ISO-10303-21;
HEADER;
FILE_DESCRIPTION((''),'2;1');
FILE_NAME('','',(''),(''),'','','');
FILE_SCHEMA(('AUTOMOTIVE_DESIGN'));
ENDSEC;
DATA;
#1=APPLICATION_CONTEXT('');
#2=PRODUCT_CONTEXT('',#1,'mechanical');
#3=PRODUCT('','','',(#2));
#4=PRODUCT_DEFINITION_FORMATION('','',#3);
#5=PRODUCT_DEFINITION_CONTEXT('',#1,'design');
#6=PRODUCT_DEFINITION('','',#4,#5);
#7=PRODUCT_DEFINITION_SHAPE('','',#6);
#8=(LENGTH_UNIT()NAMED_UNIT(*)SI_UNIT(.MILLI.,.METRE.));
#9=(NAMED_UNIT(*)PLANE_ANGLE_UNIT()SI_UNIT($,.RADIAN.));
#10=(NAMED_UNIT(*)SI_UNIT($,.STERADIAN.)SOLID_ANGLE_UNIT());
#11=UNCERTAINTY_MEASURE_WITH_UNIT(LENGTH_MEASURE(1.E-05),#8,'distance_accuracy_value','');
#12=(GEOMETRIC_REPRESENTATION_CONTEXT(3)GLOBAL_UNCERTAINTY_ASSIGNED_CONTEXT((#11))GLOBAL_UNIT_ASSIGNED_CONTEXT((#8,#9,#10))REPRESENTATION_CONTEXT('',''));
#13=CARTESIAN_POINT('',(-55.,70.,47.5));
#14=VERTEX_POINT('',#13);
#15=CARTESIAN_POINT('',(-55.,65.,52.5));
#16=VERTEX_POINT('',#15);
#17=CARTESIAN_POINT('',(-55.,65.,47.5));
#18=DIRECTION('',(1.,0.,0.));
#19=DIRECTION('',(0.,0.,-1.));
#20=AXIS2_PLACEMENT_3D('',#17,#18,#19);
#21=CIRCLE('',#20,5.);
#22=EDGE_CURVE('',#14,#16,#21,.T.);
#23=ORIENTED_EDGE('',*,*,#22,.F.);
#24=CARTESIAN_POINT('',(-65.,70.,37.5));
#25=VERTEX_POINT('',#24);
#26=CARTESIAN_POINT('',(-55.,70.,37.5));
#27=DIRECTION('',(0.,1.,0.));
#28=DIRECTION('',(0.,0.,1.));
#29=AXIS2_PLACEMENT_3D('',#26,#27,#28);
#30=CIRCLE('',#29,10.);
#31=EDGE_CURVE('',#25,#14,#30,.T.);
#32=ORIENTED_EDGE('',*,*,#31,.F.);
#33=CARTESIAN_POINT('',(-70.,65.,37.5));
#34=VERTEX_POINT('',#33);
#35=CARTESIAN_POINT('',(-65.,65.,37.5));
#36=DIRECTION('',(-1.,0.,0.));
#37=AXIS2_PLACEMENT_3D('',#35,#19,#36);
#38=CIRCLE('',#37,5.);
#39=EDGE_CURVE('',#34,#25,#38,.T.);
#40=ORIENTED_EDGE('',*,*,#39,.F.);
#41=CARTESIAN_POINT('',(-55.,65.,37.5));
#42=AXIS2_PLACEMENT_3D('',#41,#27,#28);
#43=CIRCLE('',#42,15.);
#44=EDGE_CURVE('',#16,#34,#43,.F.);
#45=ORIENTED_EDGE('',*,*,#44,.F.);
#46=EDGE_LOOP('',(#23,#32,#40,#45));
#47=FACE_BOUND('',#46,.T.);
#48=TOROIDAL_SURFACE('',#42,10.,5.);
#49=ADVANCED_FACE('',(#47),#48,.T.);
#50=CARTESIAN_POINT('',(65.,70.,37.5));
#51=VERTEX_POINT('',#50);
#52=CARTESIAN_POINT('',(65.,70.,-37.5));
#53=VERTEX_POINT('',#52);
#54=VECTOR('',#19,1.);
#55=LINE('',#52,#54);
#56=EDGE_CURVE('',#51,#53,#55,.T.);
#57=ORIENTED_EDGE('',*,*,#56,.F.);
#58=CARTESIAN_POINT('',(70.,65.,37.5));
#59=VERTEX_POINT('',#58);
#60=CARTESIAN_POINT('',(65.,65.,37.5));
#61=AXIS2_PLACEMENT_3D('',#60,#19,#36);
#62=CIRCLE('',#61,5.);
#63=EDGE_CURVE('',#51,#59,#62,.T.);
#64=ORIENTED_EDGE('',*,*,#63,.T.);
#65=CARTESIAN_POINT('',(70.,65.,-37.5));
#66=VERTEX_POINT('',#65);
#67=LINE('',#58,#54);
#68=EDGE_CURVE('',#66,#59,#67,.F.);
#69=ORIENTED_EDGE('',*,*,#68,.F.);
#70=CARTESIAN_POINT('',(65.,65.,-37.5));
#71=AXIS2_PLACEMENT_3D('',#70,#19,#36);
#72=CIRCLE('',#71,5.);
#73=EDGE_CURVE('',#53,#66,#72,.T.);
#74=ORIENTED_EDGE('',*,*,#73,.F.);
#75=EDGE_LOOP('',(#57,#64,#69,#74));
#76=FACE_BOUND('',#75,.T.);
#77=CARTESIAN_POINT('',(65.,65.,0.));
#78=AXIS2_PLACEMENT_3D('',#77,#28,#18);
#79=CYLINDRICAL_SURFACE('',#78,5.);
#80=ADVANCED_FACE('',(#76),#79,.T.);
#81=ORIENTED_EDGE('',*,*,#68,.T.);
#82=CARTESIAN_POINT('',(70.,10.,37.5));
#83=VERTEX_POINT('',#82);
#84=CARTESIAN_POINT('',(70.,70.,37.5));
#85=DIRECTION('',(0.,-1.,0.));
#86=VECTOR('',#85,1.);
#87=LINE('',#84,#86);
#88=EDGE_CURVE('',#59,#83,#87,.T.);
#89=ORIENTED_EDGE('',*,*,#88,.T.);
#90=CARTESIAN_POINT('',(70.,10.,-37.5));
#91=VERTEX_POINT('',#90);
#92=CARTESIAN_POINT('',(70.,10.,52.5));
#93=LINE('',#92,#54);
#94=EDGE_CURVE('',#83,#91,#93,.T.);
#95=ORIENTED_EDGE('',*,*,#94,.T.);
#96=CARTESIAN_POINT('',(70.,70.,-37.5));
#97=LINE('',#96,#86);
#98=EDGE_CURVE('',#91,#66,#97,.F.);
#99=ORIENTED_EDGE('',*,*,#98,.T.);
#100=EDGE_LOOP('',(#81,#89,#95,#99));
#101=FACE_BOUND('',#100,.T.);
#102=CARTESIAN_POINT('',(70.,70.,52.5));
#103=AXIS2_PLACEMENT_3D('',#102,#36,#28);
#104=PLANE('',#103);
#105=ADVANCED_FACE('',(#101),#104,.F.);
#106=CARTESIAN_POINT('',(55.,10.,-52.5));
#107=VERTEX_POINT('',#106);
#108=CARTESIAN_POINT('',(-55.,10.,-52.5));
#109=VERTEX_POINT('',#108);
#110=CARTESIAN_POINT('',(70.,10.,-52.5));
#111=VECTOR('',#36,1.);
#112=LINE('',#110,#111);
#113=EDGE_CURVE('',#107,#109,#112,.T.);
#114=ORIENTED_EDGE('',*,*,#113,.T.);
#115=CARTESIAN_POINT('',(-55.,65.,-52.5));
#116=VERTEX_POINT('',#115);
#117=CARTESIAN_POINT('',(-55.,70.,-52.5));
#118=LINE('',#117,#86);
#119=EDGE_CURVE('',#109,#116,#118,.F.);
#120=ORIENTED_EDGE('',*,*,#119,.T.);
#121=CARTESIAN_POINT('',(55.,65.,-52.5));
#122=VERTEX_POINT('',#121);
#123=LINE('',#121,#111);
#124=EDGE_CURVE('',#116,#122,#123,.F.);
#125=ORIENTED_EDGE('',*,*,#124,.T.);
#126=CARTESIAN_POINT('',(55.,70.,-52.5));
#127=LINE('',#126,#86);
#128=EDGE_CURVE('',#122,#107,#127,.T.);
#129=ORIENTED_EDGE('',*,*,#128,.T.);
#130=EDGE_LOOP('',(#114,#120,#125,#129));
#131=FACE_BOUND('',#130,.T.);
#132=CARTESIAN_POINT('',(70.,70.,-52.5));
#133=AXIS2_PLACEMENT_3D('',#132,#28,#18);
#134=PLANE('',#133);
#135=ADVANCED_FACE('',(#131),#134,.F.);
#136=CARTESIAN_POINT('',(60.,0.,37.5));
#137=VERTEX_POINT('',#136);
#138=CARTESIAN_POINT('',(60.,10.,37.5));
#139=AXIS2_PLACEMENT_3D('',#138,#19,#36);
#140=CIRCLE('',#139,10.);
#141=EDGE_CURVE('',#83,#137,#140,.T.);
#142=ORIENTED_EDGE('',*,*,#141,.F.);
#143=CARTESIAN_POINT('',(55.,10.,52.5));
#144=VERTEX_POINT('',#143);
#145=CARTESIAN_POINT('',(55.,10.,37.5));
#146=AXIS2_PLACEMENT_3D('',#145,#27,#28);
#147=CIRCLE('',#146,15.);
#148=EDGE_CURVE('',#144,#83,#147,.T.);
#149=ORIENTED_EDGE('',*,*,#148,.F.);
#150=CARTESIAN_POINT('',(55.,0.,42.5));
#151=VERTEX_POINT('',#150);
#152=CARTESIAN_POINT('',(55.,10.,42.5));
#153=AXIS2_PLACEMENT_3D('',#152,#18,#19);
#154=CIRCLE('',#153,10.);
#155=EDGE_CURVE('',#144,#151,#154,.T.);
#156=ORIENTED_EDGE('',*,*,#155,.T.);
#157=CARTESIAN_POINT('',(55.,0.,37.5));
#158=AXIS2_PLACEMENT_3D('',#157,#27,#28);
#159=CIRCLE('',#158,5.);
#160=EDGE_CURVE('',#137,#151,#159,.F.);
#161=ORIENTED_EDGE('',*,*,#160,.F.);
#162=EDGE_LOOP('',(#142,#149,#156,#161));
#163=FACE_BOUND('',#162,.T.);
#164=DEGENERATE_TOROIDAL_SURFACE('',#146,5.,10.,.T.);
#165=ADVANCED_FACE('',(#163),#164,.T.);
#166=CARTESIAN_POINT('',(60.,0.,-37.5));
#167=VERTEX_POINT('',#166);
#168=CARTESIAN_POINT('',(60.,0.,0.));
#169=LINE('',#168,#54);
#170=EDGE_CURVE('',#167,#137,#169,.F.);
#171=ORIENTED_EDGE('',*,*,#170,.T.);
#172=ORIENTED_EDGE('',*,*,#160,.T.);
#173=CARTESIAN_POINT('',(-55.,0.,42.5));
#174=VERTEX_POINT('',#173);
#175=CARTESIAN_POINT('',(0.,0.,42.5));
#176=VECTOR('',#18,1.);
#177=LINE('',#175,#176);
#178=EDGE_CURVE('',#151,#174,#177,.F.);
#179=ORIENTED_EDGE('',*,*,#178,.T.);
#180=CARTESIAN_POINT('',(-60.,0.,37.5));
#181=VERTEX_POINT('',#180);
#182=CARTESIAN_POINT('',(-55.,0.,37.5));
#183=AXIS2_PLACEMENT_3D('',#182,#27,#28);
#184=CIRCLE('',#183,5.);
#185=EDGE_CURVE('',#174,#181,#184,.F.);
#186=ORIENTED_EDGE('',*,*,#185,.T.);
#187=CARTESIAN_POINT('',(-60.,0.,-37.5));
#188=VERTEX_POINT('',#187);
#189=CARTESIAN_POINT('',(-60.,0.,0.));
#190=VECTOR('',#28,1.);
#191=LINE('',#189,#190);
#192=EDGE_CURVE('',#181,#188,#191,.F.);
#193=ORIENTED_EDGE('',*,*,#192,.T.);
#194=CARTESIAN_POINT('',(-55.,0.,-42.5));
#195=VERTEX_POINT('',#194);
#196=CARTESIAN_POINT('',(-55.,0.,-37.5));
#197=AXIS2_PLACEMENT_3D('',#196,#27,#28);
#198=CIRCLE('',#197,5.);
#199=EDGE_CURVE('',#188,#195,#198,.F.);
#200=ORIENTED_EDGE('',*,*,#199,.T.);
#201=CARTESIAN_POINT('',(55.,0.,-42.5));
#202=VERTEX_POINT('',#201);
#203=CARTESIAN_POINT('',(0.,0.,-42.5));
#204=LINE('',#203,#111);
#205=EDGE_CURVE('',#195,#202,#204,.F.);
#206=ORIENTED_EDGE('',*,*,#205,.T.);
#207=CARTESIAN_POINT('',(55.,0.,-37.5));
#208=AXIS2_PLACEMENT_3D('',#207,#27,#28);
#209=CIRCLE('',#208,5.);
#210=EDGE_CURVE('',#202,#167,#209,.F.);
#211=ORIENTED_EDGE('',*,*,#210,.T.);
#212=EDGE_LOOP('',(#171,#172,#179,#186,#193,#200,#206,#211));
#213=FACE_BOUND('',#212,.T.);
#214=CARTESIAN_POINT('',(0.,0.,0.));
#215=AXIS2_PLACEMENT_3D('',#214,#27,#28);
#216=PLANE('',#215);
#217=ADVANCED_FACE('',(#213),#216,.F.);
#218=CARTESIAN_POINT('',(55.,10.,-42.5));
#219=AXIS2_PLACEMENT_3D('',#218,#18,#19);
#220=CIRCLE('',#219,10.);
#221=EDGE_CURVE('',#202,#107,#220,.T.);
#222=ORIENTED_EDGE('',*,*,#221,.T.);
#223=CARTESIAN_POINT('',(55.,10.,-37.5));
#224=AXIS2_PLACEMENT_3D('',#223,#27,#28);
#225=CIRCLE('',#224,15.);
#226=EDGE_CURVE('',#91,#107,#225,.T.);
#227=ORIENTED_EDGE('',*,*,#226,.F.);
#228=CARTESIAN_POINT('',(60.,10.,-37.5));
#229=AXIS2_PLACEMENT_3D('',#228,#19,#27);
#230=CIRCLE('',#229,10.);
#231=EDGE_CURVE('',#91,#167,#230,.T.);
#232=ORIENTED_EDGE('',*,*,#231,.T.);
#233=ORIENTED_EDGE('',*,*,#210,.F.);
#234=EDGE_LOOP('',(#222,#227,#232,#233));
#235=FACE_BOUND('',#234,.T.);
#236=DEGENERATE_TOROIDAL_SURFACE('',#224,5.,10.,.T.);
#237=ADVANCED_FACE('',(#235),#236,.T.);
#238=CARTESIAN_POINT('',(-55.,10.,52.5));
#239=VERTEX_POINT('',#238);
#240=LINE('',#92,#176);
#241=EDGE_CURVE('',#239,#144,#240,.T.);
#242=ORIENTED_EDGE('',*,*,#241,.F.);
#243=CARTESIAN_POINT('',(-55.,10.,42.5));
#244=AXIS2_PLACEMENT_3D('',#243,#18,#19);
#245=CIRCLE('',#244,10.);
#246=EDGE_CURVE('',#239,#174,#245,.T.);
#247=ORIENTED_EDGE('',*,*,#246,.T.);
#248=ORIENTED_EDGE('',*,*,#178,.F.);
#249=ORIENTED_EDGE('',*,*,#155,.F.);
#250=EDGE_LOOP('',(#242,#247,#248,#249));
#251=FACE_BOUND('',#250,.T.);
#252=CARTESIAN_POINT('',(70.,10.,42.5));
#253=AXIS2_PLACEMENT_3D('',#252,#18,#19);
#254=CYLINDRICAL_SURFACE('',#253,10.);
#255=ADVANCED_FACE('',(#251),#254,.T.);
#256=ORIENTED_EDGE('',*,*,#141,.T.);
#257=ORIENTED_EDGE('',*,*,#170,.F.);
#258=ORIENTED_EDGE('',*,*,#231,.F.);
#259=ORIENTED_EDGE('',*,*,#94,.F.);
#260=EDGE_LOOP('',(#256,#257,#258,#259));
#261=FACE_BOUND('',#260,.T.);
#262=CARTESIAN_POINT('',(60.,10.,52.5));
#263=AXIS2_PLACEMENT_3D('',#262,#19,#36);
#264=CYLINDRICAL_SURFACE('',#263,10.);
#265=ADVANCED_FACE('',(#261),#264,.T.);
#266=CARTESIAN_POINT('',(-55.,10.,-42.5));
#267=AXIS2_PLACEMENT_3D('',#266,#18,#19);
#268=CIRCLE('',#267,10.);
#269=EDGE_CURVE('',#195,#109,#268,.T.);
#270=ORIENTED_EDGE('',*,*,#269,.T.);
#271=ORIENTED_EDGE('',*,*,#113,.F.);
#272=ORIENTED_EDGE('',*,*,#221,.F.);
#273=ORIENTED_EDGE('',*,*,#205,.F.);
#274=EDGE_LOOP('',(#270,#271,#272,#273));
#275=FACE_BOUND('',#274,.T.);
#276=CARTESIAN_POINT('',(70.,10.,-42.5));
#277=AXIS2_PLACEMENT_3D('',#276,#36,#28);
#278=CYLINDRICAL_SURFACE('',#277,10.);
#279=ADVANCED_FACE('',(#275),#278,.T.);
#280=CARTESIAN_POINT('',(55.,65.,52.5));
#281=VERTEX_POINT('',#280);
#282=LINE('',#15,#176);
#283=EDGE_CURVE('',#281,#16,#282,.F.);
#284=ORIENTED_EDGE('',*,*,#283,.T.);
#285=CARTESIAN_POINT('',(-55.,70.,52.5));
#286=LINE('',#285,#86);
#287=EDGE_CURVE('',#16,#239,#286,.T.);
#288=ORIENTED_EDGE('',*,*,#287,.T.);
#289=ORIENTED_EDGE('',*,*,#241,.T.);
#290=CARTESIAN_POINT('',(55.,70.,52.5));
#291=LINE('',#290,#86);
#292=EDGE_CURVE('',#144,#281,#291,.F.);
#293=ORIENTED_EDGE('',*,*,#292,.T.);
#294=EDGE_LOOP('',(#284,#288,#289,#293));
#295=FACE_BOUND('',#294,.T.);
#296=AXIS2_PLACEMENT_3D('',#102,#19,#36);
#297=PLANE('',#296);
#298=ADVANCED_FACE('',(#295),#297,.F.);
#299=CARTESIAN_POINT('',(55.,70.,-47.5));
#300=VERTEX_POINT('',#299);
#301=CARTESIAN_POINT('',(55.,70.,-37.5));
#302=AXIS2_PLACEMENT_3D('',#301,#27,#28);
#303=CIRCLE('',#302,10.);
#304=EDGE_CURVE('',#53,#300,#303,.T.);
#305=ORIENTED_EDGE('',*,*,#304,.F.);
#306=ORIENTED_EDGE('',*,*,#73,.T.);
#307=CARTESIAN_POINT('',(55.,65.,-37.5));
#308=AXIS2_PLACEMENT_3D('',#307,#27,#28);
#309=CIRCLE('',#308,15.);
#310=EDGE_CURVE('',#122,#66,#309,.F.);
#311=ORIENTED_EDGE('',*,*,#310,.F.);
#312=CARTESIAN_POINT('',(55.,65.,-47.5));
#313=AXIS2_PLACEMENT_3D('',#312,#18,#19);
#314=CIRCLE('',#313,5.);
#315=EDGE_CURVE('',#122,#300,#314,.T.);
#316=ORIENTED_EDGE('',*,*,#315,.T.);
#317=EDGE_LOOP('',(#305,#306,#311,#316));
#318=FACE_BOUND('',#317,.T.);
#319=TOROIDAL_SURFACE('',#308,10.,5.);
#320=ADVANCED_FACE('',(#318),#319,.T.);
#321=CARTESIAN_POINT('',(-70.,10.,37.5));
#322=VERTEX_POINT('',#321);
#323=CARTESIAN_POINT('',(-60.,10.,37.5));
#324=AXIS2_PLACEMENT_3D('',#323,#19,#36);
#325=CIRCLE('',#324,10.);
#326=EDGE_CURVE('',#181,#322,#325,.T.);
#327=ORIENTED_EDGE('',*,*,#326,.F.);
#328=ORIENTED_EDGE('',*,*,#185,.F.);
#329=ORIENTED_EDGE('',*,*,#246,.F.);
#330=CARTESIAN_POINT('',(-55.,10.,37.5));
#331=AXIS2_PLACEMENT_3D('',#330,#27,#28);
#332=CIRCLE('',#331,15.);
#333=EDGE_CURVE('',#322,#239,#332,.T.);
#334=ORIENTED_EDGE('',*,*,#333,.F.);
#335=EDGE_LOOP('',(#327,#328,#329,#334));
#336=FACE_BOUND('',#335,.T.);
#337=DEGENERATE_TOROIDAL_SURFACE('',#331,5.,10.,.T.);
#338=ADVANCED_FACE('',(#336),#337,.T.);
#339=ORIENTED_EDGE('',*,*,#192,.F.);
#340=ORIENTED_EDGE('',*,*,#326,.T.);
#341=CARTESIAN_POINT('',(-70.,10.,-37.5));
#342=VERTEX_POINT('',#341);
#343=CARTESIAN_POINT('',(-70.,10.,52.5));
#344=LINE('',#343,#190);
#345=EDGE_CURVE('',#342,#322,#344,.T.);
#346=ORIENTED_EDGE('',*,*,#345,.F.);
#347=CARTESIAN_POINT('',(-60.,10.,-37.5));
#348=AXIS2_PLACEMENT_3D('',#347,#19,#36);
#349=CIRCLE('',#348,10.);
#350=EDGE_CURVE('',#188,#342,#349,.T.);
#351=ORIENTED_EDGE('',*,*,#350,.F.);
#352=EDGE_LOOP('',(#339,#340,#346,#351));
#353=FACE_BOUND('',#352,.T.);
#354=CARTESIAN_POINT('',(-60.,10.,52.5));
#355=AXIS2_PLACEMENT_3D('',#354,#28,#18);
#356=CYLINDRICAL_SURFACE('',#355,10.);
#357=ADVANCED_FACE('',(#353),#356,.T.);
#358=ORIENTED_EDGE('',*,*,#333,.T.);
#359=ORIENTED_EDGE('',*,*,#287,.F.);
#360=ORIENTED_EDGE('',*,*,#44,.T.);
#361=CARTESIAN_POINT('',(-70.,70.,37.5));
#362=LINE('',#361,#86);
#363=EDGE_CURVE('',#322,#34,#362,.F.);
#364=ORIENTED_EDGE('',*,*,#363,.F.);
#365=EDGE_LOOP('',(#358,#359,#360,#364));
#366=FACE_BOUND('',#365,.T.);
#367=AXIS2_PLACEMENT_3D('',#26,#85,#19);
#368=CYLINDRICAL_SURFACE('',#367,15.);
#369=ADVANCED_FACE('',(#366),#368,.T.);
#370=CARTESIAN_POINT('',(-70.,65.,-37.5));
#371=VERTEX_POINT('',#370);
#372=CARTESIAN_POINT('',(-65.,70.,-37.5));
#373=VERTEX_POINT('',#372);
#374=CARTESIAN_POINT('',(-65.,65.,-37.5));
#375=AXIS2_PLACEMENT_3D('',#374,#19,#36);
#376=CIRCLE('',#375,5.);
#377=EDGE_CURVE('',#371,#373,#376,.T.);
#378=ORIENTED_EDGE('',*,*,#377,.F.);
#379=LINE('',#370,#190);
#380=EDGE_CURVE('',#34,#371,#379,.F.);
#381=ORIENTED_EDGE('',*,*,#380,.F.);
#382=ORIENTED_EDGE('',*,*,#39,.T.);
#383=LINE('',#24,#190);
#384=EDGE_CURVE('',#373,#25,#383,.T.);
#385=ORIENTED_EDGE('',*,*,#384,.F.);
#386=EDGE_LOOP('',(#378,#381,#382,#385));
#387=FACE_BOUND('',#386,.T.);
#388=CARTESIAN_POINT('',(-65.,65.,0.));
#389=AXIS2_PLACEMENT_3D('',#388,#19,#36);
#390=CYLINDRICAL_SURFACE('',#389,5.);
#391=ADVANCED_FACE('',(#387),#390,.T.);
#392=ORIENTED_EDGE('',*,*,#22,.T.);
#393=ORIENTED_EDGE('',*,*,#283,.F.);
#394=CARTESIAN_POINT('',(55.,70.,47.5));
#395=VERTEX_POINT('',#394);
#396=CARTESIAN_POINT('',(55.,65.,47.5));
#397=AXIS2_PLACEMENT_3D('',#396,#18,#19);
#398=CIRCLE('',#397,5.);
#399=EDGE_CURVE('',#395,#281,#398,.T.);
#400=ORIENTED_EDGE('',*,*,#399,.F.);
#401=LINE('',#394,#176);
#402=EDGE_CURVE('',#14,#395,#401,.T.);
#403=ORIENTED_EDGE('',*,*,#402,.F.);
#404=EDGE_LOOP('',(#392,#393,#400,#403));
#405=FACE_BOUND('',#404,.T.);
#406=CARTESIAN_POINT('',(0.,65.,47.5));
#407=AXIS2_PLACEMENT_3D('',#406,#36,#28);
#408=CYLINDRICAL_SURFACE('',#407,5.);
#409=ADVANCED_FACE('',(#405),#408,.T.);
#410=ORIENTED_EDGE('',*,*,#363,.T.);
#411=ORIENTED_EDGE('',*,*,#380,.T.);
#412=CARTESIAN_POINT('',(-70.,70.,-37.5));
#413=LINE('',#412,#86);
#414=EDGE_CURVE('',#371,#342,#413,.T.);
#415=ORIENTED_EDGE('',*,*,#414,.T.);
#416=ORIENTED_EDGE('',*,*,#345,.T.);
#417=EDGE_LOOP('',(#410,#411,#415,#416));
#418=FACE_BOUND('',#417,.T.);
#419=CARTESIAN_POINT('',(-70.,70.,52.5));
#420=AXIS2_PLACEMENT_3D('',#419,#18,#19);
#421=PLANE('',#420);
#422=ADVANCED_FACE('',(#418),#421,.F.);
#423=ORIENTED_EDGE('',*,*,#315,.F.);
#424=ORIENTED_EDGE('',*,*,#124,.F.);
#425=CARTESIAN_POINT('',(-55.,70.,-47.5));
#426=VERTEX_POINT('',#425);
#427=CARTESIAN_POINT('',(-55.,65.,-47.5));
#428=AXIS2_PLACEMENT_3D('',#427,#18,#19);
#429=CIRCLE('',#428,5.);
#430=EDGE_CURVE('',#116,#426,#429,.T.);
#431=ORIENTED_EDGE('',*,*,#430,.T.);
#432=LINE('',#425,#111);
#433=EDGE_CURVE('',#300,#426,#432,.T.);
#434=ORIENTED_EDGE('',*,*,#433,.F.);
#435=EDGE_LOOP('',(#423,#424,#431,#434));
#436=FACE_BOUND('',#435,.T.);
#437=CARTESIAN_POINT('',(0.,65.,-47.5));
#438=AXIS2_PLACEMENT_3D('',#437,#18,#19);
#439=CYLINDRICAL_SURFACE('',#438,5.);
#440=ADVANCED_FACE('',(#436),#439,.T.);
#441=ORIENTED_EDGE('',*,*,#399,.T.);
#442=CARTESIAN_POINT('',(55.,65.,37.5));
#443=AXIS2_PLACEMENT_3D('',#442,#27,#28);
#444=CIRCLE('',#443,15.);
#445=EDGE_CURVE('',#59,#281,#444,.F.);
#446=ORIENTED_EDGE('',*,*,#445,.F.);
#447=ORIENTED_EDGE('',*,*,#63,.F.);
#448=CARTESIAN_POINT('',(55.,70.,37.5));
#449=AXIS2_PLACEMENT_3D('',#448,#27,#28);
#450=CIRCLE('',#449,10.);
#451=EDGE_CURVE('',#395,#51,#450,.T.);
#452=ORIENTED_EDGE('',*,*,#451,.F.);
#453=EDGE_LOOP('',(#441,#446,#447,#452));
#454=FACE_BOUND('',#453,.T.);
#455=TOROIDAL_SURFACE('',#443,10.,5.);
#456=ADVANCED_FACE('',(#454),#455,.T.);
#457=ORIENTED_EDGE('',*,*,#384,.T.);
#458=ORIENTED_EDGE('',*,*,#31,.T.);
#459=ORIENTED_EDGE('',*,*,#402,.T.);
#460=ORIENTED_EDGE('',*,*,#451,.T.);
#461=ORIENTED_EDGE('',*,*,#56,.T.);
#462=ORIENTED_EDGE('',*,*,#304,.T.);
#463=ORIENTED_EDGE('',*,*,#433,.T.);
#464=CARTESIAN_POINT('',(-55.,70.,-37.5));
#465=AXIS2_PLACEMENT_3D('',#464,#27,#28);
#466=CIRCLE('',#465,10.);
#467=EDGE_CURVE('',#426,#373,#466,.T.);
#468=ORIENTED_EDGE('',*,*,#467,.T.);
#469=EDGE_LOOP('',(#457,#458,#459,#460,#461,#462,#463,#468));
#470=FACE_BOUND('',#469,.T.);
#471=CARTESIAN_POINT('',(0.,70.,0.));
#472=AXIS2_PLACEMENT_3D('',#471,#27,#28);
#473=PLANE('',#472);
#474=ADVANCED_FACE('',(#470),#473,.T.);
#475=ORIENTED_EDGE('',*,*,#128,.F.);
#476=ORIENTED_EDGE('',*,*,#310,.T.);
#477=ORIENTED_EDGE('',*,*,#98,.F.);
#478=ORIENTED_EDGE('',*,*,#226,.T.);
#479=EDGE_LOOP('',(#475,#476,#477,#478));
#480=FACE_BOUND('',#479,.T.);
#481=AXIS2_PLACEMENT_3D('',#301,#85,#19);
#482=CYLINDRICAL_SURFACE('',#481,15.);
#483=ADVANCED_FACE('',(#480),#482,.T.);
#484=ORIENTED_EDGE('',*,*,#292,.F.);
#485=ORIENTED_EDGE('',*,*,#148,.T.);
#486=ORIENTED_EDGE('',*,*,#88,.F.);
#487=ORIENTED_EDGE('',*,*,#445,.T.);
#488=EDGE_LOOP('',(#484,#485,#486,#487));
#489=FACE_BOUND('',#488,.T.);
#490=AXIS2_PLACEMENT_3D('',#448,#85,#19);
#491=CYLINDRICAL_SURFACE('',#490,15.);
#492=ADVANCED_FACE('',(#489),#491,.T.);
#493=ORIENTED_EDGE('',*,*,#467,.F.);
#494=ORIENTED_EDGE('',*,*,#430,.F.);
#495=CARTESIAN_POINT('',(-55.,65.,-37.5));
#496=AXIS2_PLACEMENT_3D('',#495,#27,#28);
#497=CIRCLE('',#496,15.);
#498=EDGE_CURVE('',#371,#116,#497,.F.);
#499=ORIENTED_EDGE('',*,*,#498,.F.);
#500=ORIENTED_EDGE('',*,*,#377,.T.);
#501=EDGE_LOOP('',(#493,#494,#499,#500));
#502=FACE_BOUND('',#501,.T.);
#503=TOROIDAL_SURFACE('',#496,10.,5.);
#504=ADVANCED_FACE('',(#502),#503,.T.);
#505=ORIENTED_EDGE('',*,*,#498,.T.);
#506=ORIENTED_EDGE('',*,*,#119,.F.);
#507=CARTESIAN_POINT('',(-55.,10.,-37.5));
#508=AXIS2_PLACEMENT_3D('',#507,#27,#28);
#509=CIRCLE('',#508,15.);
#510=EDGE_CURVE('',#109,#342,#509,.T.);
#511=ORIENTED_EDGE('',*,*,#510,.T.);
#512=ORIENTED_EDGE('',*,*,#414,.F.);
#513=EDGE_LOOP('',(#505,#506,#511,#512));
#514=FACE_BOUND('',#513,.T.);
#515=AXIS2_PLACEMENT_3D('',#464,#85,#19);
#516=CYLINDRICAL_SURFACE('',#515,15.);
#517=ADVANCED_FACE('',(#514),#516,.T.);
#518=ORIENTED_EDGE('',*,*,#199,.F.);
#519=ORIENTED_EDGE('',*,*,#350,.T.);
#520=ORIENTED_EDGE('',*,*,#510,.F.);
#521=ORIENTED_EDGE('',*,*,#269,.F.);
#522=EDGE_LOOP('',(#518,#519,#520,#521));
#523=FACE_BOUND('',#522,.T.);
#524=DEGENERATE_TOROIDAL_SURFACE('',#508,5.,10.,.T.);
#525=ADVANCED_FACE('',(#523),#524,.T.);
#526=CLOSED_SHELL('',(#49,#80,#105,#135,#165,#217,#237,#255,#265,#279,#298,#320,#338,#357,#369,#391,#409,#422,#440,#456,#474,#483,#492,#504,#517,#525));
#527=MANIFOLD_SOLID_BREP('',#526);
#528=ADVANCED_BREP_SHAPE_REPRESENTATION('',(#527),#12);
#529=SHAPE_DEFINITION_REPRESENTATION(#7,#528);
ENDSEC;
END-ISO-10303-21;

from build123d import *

# Parameters (mm, degrees)
SKETCH_1_W      = 140
SKETCH_1_H      = 105
EXTRUDE_1_DEPTH = 70
FILLET_1_R      = 15
FILLET_2_R      = 10
FILLET_3_R      = 5


with BuildPart() as part:
    # 草图1 → 凸台-拉伸1 (new body)
    with BuildSketch(Plane(origin=(0, 0, 0), x_dir=(1, 0, 0), z_dir=(0, 1, 0))):
        Rectangle(SKETCH_1_W, SKETCH_1_H)
    extrude(amount=EXTRUDE_1_DEPTH)

    # 圆角1
    fillet_1_edges = [part.edges().sort_by_distance(p)[0] for p in [
        (-70, 35, -52.5),
        (70, 35, -52.5),
        (70, 35, 52.5),
        (-70, 35, 52.5),
    ]]
    fillet(fillet_1_edges, radius=FILLET_1_R)

    # 圆角2
    fillet_2_edges = [part.edges().sort_by_distance(p)[0] for p in [
        (-70, 0, 0),
        (0, 0, -52.5),
        (70, 0, 0),
        (0, 0, 52.5),
        (-65.606601718, 0, 48.106601718),
        (65.606601718, 0, 48.106601718),
        (65.606601718, 0, -48.106601718),
        (-65.606601718, 0, -48.106601718),
    ]]
    fillet(fillet_2_edges, radius=FILLET_2_R)

    # 圆角3
    fillet_3_edges = [part.edges().sort_by_distance(p)[0] for p in [
        (-70, 70, 0),
        (0, 70, -52.5),
        (0, 70, 52.5),
        (70, 70, 0),
        (-65.606601718, 70, 48.106601718),
        (65.606601718, 70, 48.106601718),
        (65.606601718, 70, -48.106601718),
        (-65.606601718, 70, -48.106601718),
    ]]
    fillet(fillet_3_edges, radius=FILLET_3_R)


solid = part.part
